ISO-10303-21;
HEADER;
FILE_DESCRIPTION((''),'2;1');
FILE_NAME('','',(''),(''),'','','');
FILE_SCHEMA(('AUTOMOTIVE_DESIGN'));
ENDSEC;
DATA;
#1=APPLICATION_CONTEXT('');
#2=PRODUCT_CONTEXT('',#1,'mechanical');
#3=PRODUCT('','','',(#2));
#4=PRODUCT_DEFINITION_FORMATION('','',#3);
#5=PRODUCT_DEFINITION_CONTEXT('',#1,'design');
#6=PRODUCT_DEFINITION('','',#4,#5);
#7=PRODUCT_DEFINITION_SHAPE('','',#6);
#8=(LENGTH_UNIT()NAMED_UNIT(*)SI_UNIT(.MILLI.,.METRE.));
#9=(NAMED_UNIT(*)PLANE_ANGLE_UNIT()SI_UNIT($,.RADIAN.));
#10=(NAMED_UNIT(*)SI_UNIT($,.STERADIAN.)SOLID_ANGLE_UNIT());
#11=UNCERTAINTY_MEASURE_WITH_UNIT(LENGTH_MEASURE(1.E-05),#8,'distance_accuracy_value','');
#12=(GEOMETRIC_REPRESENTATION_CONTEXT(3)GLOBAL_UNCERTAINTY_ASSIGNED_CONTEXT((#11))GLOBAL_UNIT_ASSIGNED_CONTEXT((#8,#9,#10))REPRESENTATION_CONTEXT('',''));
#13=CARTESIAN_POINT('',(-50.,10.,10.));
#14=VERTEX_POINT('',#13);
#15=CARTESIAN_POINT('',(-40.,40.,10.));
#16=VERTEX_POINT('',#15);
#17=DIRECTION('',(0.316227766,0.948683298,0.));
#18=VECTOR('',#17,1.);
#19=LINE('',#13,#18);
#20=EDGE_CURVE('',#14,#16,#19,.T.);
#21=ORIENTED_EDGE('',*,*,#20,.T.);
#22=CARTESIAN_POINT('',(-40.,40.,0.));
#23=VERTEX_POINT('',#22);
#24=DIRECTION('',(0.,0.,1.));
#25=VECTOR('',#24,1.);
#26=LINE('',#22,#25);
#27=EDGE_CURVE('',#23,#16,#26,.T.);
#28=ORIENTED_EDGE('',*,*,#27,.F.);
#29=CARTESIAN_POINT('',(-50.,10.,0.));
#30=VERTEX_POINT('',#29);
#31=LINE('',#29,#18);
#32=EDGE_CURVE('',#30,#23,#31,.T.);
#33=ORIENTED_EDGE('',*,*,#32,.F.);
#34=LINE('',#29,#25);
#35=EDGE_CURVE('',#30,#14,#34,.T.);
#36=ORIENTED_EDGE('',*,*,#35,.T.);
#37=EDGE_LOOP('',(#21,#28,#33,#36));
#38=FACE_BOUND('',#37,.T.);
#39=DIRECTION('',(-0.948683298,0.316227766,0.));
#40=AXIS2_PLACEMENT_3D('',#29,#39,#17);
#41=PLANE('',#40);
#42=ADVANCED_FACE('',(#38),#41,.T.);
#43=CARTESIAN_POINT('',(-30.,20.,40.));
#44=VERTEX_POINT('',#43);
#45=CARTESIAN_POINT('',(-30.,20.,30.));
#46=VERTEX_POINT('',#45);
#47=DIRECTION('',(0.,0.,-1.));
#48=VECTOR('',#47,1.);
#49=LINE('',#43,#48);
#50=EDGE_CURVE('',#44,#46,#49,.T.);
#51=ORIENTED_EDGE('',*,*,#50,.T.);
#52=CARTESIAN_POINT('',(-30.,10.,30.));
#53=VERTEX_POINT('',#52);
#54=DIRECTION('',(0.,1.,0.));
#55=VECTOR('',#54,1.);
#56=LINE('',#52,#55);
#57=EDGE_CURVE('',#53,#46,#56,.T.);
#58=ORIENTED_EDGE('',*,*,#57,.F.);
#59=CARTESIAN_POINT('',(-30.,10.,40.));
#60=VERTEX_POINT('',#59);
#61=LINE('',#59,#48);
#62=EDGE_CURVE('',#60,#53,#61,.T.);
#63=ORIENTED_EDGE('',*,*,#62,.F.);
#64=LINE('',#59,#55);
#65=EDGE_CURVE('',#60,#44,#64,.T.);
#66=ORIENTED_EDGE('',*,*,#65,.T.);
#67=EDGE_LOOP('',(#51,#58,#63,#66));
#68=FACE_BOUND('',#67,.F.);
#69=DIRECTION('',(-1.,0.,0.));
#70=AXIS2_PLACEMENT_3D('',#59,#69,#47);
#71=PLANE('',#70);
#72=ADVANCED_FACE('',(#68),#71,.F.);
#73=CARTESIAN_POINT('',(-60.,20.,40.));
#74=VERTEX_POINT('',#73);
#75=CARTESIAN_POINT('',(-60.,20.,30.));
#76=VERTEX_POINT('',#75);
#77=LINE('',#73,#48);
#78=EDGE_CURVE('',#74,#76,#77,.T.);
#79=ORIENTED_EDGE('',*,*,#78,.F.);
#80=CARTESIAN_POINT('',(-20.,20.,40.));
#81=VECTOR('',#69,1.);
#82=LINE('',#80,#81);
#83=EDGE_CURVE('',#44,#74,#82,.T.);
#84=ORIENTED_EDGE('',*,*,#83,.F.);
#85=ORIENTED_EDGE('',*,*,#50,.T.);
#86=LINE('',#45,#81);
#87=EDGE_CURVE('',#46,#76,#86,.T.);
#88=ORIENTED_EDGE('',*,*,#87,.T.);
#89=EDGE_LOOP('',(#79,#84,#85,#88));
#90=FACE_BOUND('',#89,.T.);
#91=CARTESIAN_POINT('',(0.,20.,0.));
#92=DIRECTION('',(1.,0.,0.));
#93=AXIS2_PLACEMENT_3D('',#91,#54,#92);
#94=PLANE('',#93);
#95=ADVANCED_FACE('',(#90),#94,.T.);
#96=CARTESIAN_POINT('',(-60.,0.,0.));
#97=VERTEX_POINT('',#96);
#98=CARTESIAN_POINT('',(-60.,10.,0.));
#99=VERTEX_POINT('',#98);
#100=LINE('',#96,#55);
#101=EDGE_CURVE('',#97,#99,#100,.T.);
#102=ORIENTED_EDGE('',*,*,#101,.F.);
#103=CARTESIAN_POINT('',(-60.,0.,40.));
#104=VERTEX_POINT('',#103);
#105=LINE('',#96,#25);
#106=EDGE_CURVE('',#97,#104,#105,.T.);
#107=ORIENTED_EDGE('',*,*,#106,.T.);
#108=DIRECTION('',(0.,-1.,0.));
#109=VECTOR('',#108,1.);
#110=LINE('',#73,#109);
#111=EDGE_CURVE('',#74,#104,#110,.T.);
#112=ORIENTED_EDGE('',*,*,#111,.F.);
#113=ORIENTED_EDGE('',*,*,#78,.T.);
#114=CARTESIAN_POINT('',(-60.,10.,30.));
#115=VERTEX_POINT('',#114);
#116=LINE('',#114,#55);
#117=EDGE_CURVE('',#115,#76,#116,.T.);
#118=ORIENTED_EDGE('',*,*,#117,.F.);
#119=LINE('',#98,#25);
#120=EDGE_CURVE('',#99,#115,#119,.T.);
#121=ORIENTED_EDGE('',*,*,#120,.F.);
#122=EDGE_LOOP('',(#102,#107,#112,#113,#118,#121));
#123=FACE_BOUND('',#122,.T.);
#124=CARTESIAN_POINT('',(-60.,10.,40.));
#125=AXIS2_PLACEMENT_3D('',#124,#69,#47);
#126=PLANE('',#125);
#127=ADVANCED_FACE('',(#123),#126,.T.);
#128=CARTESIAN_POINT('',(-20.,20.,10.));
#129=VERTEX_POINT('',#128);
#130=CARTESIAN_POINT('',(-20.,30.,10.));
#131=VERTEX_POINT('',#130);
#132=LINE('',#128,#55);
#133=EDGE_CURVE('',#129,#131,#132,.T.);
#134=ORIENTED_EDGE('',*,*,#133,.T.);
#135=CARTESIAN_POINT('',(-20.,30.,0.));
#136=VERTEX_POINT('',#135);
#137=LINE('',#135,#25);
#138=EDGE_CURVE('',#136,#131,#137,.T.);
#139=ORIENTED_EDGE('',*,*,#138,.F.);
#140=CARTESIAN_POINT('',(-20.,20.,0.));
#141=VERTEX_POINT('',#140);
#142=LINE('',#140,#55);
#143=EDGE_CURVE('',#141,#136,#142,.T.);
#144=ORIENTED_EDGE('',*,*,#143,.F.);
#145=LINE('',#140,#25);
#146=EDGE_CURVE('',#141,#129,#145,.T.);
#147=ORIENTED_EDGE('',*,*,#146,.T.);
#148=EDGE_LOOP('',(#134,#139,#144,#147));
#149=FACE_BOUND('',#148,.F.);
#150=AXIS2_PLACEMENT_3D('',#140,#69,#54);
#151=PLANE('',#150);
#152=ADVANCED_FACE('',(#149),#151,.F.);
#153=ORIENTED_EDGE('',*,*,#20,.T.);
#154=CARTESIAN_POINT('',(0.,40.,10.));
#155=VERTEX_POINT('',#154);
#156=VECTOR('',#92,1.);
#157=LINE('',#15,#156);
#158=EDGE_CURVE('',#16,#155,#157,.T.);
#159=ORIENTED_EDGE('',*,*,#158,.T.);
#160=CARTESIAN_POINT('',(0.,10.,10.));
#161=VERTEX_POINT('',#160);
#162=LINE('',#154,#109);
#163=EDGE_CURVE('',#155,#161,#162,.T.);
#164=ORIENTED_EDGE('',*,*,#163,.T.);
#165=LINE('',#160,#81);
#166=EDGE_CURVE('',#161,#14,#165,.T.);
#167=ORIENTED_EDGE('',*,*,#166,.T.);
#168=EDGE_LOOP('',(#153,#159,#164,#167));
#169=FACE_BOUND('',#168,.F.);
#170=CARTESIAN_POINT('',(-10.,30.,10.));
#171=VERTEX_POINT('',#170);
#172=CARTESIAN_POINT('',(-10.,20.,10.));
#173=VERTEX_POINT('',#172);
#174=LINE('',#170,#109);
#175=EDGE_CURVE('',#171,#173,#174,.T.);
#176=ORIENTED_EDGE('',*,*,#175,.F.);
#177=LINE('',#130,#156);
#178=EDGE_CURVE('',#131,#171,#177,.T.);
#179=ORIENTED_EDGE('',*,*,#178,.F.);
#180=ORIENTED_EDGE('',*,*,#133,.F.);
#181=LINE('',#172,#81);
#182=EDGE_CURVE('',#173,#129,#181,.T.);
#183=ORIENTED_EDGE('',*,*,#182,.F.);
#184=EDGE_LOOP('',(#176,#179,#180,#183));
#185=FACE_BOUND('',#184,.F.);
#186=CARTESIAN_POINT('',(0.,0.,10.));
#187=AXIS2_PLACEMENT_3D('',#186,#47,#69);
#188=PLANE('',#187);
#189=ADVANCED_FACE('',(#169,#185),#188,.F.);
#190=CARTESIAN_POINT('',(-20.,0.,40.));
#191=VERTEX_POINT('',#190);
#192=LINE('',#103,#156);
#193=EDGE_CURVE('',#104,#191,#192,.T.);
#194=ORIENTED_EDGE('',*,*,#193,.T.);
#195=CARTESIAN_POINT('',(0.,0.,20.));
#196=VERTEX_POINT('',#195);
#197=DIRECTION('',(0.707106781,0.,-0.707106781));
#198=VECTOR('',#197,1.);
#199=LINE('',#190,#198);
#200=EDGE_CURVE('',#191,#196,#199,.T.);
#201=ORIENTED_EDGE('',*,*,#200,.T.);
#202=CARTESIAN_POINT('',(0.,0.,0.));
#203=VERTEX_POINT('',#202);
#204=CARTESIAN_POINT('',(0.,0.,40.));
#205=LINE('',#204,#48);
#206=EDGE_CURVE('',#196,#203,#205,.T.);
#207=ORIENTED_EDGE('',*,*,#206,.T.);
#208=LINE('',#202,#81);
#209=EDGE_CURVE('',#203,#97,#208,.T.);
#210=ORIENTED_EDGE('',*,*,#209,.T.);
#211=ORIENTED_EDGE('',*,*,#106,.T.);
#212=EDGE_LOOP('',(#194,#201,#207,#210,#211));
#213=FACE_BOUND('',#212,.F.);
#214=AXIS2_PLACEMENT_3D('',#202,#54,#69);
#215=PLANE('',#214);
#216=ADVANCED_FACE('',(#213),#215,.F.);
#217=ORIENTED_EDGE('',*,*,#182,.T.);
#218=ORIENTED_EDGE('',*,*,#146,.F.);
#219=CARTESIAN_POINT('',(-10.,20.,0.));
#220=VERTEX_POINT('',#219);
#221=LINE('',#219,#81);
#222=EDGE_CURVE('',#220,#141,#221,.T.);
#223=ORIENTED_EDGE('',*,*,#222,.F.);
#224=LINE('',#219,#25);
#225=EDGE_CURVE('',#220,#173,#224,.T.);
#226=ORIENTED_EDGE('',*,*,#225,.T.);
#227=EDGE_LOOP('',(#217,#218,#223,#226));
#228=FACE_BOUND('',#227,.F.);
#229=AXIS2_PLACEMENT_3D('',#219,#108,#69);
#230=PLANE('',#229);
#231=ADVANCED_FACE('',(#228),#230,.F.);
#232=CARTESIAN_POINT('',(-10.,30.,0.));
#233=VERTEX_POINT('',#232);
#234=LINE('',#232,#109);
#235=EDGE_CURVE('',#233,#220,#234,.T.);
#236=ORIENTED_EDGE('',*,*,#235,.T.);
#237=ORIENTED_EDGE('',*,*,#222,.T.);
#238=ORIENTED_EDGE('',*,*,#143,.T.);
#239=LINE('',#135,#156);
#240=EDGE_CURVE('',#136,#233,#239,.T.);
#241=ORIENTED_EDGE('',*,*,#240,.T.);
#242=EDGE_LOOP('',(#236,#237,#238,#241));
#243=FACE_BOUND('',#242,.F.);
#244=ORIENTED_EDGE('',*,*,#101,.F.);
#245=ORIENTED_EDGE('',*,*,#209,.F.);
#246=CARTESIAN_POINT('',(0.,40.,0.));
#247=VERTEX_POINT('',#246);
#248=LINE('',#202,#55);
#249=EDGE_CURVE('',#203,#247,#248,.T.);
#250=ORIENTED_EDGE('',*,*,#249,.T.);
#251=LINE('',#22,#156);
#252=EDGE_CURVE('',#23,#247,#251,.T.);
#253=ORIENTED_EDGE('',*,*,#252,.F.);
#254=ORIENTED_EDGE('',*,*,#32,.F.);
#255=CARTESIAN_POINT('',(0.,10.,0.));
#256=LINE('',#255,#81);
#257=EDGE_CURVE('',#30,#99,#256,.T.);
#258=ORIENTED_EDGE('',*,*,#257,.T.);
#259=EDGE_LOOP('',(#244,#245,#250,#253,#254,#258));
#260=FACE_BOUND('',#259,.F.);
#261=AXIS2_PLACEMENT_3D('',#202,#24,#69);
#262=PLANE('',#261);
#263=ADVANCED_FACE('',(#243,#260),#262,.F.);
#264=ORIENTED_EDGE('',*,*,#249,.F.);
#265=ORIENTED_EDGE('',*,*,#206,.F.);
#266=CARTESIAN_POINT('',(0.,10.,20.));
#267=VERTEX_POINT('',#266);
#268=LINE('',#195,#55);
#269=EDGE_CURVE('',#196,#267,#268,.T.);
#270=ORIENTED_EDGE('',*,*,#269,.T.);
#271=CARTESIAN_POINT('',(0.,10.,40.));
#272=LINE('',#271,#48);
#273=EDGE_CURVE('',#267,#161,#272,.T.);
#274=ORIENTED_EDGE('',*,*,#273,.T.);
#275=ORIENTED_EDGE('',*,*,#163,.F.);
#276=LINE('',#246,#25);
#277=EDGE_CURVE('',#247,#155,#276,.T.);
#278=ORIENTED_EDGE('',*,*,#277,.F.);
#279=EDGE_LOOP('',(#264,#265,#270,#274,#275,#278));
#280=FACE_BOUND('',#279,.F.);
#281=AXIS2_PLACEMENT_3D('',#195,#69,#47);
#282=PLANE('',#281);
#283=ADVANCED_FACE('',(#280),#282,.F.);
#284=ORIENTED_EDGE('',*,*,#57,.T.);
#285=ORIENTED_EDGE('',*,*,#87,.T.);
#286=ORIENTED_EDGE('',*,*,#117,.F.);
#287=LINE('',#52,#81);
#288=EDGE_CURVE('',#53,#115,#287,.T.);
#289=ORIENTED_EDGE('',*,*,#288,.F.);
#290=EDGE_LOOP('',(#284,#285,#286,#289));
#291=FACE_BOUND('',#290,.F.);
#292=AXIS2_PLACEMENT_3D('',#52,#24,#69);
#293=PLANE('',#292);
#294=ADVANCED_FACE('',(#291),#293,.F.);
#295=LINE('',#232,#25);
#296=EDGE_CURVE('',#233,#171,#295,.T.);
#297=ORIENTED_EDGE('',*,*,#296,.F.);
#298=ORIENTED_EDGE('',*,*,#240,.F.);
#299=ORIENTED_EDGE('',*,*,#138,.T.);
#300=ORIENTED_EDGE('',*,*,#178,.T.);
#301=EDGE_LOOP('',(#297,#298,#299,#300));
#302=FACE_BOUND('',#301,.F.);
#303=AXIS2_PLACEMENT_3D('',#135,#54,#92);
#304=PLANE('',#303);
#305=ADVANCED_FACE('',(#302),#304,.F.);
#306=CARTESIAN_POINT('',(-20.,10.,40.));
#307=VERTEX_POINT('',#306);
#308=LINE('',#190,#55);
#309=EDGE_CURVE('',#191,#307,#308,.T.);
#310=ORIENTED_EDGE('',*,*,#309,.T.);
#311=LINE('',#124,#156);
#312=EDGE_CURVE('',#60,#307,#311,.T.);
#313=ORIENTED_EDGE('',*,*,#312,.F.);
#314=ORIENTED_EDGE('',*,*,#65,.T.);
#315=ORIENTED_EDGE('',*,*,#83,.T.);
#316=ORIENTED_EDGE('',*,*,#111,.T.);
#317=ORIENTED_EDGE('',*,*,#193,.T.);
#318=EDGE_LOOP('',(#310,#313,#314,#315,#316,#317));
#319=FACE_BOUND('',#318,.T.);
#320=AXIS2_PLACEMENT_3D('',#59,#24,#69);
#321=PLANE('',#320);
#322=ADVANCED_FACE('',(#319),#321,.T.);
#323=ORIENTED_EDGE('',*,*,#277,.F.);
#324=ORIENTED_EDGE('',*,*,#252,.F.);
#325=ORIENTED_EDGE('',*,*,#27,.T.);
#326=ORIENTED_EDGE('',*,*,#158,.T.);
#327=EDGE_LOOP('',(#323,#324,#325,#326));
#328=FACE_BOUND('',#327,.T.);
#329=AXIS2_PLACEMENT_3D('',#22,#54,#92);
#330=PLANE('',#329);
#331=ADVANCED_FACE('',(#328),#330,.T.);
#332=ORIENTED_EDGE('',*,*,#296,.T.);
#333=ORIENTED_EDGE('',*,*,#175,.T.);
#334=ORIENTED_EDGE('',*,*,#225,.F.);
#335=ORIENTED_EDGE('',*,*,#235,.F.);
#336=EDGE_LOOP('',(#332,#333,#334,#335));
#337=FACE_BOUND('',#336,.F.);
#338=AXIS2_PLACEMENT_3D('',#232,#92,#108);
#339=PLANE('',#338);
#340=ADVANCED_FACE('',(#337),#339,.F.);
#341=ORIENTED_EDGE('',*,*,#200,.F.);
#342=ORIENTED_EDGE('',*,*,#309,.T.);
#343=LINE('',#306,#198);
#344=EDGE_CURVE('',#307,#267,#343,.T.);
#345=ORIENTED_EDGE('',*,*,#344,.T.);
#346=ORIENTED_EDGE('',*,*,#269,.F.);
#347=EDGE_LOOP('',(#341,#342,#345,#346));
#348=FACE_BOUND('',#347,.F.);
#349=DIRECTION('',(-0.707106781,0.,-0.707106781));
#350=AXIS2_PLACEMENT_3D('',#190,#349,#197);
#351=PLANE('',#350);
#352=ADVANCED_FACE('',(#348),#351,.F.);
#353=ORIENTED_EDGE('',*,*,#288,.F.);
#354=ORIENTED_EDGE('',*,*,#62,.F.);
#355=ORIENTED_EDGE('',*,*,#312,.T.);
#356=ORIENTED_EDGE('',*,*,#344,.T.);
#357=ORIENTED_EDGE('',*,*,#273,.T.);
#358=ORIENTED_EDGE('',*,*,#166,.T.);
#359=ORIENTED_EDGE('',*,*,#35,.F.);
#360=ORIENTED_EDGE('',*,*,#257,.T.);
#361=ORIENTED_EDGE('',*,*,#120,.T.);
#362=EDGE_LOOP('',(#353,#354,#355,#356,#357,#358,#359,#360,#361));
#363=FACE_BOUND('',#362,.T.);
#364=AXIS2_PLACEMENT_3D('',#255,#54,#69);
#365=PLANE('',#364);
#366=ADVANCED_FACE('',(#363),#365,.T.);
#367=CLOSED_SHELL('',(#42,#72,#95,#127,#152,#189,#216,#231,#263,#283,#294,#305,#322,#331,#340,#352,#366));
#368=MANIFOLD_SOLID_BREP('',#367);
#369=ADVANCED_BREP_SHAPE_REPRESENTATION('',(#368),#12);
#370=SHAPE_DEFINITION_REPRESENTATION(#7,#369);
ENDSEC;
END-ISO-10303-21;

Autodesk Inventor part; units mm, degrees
ref_plane "YZ Plane" through (0, 0, 0) normal (1, 0, 0) x (0, 1, 0)
ref_plane "XZ Plane" through (0, 0, 0) normal (0, 1, 0) x (-1, 0, 0)
ref_plane "XY Plane" through (0, 0, 0) normal (0, 0, 1) x (1, 0, 0)
sketch "草圖1" plane through (0, 0, 0) normal (0, 1, 0) x (-1, 0, 0)
  line L0 (0, 0) -> (60, 0)
  line L1 (60, 0) -> (60, 40)
  line L2 (60, 40) -> (0, 40)
  line L3 (0, 40) -> (0, 0)
  line L4 (20, 40) -> (0, 20)
  dimension "d0" = 60
  dimension "d1" = 40
  dimension "d2" = 20
  dimension "d3" = 20
extrude "擠出1" add sketch "草圖1" along normal blind 10 contours L3 L4 L2 L1 L0
sketch "草圖2" plane through (0, 0, 0) normal (0, 0, -1) x (-1, 0, 0)
  line L0 (0, 0) -> (0, 10) projected
  line L1 (0, 10) -> (60, 10) projected
  line L2 (60, 10) -> (60, 0) projected
  line L3 (60, 0) -> (0, 0) projected
  line L4 (50, 10) -> (40, 40)
  line L5 (40, 40) -> (0, 40)
  line L6 (0, 40) -> (0, 10)
  line L7 (20, 30) -> (10, 30)
  line L8 (10, 30) -> (10, 20)
  line L9 (10, 20) -> (20, 20)
  line L10 (20, 20) -> (20, 30)
  dimension "d6" = 10
  dimension "d7" = 40
  dimension "d8" = 40
  dimension "d9" = 10
  dimension "d10" = 10
  dimension "d11" = 10
extrude "擠出2" add sketch "草圖2" against normal blind 10 contours L6 L5 L4 L1
sketch "草圖3" plane through (0, 10, 0) normal (0, 1, 0) x (1, 0, 0)
  line L0 (-20, -40) -> (-60, -40) projected
  line L1 (-60, -40) -> (-60, 0) projected
  line L2 (-60, 0) -> (-50, 0) projected
  line L3 (-50, -10) -> (-50, 0) projected
  line L4 (0, -10) -> (-50, -10) projected
  line L5 (0, 0) -> (0, -10) projected
  line L6 (-50, 0) -> (0, 0) projected
  line L7 (0, -20) -> (-20, -40) projected
  line L8 (0, -10) -> (0, -20) projected
  line L9 (-60, 0) -> (-60, -40) projected
  line L10 (-60, -40) -> (-30, -40)
  line L11 (-30, -40) -> (-30, -30)
  line L12 (-30, -30) -> (-60, -30)
  line L13 (-60, -30) -> (-60, -40)
  dimension "d14" = 10
  dimension "d15" = 30
extrude "擠出3" add sketch "草圖3" along normal blind 10 contours L0 L1 L12 L11
properties part number "12" material "鋼、碳鋼"
